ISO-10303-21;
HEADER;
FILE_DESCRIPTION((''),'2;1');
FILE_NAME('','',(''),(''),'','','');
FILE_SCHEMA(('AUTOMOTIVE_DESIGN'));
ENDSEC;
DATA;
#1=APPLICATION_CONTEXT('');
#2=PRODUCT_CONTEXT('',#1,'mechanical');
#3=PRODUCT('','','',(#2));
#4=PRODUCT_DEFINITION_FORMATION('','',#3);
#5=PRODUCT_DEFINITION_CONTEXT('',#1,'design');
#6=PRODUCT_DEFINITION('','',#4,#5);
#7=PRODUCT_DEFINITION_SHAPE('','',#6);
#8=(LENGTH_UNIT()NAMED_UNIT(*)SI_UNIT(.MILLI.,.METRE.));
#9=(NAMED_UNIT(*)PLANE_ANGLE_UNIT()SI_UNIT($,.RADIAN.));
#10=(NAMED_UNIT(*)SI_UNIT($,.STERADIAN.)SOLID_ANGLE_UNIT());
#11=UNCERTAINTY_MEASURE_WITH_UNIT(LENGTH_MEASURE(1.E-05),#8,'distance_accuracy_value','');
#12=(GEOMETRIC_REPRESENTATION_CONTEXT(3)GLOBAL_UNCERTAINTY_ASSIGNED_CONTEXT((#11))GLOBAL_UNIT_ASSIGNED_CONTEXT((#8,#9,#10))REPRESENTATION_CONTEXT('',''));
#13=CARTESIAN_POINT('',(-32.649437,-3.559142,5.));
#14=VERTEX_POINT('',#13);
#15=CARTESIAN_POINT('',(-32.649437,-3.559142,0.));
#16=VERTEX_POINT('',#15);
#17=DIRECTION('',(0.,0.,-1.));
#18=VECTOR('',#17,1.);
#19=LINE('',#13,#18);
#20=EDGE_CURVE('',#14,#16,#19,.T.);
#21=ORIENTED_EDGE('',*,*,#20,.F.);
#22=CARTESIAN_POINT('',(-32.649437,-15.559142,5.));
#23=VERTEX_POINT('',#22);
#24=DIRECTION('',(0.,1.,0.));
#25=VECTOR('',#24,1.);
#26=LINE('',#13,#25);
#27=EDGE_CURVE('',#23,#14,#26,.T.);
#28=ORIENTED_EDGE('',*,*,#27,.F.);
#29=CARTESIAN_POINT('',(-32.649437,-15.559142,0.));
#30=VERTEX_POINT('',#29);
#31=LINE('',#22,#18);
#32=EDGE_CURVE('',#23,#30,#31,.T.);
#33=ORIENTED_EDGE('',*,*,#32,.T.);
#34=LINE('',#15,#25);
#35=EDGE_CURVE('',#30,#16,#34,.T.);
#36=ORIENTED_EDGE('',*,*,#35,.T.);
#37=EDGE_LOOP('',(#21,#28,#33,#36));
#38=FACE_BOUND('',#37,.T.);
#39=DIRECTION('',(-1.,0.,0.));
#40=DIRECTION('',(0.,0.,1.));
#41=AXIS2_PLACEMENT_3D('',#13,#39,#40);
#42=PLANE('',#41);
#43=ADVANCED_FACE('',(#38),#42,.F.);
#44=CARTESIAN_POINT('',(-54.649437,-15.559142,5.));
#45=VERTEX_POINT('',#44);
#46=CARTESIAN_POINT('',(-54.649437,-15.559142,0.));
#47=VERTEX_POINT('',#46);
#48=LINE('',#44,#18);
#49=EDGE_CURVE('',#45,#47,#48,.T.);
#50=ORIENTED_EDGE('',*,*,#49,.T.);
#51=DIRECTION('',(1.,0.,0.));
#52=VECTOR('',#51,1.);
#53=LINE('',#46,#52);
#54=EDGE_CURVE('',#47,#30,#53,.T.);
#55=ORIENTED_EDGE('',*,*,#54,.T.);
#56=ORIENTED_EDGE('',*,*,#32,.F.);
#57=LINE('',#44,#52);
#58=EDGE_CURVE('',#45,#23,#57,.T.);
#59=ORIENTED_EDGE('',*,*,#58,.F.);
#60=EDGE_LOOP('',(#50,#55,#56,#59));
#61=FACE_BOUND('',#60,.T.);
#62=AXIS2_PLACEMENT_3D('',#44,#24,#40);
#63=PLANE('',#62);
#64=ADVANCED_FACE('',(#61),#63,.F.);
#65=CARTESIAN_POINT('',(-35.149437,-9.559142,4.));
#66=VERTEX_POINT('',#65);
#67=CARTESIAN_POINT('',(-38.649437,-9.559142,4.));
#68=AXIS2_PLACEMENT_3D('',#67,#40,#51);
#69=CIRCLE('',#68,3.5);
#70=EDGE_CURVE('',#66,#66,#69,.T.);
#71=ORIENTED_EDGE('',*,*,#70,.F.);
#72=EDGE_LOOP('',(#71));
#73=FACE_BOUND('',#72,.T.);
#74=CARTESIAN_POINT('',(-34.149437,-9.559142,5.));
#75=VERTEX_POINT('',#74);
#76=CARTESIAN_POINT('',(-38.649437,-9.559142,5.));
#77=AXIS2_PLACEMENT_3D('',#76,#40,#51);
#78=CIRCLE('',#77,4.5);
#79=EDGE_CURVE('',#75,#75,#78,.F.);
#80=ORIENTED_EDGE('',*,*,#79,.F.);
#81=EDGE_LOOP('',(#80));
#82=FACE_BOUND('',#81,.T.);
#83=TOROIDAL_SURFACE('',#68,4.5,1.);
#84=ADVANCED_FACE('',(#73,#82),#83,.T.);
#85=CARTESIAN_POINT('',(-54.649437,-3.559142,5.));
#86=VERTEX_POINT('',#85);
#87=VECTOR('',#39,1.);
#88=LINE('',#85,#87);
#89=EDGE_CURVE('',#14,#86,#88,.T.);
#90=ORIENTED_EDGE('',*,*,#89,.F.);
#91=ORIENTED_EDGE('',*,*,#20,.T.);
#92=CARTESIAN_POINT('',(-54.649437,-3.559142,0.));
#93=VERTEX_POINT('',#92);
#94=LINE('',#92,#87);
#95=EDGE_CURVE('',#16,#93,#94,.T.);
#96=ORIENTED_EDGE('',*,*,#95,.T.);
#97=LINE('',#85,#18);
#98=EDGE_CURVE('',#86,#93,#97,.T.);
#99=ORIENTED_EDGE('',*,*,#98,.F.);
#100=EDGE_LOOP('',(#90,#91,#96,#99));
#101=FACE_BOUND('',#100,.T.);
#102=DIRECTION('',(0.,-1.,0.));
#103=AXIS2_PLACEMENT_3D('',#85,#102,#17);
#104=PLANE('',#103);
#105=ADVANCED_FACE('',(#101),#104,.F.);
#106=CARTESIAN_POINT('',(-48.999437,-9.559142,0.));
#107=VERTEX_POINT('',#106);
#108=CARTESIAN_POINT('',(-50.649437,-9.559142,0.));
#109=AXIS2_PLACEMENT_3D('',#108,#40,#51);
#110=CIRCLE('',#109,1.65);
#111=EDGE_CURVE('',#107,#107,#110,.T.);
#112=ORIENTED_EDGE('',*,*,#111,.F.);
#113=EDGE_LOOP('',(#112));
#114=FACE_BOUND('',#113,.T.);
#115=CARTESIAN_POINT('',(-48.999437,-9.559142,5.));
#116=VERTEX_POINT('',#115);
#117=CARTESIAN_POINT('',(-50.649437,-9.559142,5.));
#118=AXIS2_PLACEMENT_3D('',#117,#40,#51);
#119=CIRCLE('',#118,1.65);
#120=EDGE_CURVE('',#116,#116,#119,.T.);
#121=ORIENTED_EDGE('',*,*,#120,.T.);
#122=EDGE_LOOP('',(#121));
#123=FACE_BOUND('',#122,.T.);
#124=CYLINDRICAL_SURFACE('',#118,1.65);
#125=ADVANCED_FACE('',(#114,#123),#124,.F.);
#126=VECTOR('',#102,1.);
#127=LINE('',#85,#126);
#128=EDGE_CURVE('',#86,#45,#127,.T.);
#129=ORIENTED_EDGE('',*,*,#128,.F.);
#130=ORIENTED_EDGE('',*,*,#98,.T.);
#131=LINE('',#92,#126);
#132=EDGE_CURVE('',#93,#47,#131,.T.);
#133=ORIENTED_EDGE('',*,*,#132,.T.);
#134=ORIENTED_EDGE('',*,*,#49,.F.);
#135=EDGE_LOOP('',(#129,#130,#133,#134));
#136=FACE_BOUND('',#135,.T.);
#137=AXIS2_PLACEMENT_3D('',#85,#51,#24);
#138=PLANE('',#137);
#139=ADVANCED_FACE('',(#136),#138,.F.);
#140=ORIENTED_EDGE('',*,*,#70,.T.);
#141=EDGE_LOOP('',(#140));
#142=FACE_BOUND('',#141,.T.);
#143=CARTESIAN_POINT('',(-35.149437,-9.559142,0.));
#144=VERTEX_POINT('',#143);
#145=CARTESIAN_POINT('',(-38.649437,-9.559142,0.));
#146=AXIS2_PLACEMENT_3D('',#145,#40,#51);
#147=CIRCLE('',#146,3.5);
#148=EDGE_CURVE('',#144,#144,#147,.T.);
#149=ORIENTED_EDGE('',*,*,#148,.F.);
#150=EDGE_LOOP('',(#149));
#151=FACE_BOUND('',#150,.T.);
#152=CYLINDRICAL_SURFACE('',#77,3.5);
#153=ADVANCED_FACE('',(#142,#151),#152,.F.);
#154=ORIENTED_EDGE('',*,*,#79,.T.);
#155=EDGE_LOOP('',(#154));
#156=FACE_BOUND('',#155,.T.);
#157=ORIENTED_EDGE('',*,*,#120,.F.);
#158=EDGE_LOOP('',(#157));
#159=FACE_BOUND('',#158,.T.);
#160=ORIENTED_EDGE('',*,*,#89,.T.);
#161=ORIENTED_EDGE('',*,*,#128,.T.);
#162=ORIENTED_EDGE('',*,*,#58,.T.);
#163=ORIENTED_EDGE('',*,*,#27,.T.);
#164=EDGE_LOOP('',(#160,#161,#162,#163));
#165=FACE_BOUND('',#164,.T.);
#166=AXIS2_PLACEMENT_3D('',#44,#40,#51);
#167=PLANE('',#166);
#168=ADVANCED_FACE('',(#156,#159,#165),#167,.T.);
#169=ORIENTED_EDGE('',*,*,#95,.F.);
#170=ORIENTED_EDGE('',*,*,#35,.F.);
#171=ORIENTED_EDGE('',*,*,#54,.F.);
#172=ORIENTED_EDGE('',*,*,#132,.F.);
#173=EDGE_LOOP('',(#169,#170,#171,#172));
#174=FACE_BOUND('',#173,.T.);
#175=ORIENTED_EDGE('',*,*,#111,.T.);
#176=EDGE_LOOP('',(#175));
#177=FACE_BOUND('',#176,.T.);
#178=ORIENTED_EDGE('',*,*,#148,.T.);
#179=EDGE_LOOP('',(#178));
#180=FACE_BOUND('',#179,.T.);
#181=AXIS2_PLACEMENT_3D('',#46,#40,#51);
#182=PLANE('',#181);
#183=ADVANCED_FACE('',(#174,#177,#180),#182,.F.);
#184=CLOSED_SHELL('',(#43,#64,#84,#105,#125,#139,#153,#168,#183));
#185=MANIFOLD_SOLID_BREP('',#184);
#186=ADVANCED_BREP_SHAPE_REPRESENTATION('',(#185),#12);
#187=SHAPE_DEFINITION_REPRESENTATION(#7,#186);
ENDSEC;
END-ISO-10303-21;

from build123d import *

# Parameters (mm, degrees)
ESBO_O1_W                                  = 22
ESBO_O1_H                                  = 12
RESSALTO_EXTRUS_O1_DEPTH                   = 5
BROCA_DE_ROSQUEAR_PARA_TARRAXA_DE_M8X1_0_D = 7
BROCA_DE_ROSQUEAR_PARA_TARRAXA_DE_M4X0_7_D = 3.3
FILETE1_R                                  = 1


with BuildPart() as part:
    # Esboço1 → Ressalto-extrusão1 (new body)
    with BuildSketch(Plane.XY):
        with Locations((-43.64943678, -9.559141583)):
            Rectangle(ESBO_O1_W, ESBO_O1_H)
    extrude(amount=RESSALTO_EXTRUS_O1_DEPTH)

    # Broca de rosquear para tarraxa de M8x1.01 (through all)
    with Locations(Plane.XY.offset(5)):
        with Locations((-38.64943678, -9.559141583)):
            Hole(BROCA_DE_ROSQUEAR_PARA_TARRAXA_DE_M8X1_0_D / 2)

    # Broca de rosquear para tarraxa de M4x0.71 (through all)
    with Locations(Plane.XY.offset(5)):
        with Locations((-50.64943678, -9.559141583)):
            Hole(BROCA_DE_ROSQUEAR_PARA_TARRAXA_DE_M4X0_7_D / 2)

    # Filete1
    filete1_edges = [part.edges().sort_by_distance(p)[0] for p in [
        (-35.14943678, -9.559141583, 5),
    ]]
    fillet(filete1_edges, radius=FILETE1_R)


solid = part.part
